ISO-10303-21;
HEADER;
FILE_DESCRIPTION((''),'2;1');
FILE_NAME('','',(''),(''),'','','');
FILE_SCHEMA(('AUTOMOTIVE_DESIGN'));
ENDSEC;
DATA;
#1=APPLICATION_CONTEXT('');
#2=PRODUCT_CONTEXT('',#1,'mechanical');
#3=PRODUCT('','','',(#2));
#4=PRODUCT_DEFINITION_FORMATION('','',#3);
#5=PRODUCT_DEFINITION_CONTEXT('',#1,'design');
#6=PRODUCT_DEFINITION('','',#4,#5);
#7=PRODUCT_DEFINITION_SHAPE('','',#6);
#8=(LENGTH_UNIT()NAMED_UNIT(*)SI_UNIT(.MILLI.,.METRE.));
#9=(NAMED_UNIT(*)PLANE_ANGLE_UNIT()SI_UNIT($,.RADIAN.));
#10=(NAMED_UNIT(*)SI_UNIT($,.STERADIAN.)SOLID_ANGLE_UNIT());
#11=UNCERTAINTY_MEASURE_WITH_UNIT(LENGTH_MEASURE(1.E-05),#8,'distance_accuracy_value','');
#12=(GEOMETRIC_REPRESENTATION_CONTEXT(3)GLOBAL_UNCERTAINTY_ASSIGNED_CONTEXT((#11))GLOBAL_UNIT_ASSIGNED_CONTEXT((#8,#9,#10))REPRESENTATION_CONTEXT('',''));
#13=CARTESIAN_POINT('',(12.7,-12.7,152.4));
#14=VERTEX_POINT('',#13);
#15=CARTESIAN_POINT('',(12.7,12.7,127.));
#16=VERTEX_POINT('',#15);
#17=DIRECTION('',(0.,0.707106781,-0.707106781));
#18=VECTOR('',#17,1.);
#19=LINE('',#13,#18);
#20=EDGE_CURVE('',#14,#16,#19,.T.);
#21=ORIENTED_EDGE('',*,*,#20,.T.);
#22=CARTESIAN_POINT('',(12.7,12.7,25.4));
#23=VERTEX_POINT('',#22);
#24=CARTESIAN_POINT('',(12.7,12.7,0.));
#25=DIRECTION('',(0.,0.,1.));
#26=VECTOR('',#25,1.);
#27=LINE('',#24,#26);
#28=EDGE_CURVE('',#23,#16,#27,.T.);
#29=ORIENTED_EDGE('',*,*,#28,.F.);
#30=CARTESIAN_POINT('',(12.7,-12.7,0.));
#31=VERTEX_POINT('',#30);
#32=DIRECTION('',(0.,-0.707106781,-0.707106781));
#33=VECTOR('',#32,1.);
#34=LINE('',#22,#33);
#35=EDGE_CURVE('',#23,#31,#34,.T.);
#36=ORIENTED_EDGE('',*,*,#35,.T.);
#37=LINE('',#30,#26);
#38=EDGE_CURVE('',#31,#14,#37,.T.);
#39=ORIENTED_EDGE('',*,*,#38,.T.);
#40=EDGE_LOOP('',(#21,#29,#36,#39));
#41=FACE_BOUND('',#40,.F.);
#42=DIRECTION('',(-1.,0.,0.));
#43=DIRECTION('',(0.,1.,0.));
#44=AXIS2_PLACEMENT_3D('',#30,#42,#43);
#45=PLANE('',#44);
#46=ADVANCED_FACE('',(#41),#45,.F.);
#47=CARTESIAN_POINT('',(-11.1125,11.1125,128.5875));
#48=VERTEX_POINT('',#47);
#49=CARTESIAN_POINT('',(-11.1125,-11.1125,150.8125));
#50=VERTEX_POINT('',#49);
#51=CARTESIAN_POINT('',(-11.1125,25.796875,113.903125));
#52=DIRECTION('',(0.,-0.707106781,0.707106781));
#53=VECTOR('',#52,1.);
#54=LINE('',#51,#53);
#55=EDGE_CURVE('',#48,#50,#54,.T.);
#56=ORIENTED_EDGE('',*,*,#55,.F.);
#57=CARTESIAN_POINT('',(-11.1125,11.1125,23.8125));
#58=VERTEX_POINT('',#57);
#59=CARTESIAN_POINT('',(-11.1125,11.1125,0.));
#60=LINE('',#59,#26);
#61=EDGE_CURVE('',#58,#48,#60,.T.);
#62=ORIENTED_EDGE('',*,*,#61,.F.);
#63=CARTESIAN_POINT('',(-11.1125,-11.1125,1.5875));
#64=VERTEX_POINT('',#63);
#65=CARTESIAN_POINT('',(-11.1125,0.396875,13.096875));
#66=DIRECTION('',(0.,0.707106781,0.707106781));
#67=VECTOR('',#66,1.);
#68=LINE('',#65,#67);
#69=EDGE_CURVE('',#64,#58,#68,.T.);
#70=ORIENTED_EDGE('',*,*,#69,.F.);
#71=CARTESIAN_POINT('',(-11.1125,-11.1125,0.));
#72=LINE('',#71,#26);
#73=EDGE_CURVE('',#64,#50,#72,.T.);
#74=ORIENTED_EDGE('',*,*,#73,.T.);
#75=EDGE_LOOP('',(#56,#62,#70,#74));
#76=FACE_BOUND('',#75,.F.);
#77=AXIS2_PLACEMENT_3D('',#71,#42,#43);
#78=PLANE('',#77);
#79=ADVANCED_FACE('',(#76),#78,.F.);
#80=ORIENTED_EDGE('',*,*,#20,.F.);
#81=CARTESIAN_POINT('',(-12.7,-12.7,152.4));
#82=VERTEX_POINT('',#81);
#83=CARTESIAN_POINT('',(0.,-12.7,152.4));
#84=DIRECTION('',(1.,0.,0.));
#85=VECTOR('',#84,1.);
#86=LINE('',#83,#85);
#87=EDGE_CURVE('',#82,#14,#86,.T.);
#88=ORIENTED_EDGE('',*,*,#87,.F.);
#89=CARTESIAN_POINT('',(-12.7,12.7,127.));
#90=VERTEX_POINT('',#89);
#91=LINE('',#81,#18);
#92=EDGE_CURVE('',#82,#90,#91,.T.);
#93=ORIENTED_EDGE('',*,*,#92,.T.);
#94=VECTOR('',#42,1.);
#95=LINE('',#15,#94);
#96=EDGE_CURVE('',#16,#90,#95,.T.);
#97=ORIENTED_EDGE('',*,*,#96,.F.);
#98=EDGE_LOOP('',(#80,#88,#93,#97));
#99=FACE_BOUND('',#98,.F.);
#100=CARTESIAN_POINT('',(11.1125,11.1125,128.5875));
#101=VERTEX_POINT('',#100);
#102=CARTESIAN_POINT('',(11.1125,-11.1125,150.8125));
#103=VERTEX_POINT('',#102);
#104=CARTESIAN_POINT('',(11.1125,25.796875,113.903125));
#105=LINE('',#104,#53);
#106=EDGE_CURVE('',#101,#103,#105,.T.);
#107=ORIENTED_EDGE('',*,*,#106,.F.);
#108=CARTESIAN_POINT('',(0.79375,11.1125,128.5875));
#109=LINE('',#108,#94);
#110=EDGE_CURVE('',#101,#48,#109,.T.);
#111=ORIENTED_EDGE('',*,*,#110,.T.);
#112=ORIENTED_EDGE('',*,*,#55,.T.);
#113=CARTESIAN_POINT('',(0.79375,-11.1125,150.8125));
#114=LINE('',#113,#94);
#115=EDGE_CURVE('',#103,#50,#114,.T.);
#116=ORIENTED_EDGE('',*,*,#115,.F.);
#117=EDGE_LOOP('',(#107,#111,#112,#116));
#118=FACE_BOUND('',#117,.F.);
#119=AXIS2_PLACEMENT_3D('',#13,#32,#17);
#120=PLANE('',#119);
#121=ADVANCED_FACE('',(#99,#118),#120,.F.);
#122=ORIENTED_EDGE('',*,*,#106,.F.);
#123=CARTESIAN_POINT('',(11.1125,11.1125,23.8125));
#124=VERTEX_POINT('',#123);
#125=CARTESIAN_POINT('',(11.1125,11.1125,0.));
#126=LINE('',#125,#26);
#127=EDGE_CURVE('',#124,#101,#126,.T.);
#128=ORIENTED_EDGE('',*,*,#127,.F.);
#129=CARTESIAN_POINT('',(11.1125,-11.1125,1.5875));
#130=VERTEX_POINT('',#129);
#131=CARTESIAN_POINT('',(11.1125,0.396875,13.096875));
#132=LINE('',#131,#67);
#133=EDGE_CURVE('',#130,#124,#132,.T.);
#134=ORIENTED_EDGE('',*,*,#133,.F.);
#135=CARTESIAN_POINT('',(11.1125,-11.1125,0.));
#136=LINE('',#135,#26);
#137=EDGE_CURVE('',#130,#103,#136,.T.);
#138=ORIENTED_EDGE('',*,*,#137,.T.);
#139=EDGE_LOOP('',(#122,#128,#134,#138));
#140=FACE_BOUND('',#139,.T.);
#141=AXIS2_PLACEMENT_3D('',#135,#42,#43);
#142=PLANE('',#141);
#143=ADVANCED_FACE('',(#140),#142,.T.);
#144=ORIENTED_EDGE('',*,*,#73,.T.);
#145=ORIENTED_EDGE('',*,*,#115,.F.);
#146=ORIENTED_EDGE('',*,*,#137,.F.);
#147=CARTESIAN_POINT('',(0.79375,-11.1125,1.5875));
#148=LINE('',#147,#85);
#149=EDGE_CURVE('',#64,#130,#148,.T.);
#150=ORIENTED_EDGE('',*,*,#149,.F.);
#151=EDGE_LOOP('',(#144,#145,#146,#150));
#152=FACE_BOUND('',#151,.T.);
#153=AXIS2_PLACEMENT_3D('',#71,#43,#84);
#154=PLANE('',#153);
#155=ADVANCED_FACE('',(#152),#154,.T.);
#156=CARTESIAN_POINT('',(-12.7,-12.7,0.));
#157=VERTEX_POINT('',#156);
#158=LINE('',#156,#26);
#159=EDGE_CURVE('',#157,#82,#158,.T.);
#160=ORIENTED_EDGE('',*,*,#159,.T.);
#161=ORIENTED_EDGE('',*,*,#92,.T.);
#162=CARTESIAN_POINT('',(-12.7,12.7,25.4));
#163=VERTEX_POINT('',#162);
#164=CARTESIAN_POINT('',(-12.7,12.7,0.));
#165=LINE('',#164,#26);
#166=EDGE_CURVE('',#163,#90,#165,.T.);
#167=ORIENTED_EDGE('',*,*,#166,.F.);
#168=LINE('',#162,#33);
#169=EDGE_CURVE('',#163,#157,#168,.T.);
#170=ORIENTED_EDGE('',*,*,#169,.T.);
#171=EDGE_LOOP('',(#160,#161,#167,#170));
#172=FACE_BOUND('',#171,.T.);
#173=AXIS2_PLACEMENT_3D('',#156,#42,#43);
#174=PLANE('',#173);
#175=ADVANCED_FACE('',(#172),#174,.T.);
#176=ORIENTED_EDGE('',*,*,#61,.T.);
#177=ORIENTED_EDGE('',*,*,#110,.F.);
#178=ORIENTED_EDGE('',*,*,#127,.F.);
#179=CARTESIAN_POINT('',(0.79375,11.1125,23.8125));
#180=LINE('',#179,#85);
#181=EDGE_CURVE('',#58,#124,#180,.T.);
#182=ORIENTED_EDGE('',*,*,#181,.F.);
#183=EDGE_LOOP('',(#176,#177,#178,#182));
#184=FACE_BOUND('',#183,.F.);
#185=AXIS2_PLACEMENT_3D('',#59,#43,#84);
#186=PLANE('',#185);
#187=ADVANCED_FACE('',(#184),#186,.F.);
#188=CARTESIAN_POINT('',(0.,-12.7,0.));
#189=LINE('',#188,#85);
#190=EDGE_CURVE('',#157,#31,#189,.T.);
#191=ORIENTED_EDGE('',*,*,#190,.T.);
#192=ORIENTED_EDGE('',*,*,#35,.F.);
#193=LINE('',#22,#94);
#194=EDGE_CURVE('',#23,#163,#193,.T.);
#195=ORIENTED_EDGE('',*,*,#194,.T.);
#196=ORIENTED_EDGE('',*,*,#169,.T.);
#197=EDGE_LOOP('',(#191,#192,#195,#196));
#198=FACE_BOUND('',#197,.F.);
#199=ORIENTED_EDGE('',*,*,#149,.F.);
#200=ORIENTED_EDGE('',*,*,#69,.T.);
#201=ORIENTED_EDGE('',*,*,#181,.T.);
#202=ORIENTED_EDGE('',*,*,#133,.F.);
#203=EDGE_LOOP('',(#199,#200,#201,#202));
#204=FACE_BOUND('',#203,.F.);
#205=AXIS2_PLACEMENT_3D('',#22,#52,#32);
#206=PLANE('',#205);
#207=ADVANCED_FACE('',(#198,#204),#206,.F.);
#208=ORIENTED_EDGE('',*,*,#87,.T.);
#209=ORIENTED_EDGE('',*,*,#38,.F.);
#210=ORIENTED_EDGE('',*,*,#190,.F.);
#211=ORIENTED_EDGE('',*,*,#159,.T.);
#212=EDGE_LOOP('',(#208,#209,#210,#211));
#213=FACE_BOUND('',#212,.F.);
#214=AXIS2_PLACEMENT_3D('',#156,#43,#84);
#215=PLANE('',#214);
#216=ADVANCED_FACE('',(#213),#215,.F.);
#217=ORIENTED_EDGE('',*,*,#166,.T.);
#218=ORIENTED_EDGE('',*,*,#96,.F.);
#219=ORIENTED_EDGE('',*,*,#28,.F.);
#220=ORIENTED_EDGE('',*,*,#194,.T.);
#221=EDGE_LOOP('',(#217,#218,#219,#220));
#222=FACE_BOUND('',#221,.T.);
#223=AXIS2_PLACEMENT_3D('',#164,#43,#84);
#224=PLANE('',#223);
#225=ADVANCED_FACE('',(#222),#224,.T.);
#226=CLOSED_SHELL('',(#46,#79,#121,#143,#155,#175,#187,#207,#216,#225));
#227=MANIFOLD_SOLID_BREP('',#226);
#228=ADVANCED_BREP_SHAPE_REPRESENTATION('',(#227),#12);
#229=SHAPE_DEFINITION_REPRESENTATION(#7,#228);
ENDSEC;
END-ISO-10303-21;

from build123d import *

# Parameters (mm, degrees)
F0_W     = 25.4
F0_H     = 25.4
F0_W_2   = 22.225
F0_H_2   = 22.225
F1_DEPTH = 152.4
F3_DEPTH = 25.4


with BuildPart() as f1:
    # F0 (on Top) → F1 (new body)
    with BuildSketch(Plane.XY):
        Rectangle(F0_W, F0_H)
        Rectangle(F0_W_2, F0_H_2, mode=Mode.SUBTRACT)
    extrude(amount=F1_DEPTH)

    # F2 (on face) → F3 (cut, through all)
    with BuildSketch(Plane.YZ.offset(12.7)):
        Polygon((12.7, 152.4), (-12.7, 152.4), (12.7, 127), align=None)
        Polygon((12.7, 25.4), (-12.7, 0), (12.7, 0), align=None)
    extrude(amount=-F3_DEPTH, mode=Mode.SUBTRACT)


solid = f1.part
